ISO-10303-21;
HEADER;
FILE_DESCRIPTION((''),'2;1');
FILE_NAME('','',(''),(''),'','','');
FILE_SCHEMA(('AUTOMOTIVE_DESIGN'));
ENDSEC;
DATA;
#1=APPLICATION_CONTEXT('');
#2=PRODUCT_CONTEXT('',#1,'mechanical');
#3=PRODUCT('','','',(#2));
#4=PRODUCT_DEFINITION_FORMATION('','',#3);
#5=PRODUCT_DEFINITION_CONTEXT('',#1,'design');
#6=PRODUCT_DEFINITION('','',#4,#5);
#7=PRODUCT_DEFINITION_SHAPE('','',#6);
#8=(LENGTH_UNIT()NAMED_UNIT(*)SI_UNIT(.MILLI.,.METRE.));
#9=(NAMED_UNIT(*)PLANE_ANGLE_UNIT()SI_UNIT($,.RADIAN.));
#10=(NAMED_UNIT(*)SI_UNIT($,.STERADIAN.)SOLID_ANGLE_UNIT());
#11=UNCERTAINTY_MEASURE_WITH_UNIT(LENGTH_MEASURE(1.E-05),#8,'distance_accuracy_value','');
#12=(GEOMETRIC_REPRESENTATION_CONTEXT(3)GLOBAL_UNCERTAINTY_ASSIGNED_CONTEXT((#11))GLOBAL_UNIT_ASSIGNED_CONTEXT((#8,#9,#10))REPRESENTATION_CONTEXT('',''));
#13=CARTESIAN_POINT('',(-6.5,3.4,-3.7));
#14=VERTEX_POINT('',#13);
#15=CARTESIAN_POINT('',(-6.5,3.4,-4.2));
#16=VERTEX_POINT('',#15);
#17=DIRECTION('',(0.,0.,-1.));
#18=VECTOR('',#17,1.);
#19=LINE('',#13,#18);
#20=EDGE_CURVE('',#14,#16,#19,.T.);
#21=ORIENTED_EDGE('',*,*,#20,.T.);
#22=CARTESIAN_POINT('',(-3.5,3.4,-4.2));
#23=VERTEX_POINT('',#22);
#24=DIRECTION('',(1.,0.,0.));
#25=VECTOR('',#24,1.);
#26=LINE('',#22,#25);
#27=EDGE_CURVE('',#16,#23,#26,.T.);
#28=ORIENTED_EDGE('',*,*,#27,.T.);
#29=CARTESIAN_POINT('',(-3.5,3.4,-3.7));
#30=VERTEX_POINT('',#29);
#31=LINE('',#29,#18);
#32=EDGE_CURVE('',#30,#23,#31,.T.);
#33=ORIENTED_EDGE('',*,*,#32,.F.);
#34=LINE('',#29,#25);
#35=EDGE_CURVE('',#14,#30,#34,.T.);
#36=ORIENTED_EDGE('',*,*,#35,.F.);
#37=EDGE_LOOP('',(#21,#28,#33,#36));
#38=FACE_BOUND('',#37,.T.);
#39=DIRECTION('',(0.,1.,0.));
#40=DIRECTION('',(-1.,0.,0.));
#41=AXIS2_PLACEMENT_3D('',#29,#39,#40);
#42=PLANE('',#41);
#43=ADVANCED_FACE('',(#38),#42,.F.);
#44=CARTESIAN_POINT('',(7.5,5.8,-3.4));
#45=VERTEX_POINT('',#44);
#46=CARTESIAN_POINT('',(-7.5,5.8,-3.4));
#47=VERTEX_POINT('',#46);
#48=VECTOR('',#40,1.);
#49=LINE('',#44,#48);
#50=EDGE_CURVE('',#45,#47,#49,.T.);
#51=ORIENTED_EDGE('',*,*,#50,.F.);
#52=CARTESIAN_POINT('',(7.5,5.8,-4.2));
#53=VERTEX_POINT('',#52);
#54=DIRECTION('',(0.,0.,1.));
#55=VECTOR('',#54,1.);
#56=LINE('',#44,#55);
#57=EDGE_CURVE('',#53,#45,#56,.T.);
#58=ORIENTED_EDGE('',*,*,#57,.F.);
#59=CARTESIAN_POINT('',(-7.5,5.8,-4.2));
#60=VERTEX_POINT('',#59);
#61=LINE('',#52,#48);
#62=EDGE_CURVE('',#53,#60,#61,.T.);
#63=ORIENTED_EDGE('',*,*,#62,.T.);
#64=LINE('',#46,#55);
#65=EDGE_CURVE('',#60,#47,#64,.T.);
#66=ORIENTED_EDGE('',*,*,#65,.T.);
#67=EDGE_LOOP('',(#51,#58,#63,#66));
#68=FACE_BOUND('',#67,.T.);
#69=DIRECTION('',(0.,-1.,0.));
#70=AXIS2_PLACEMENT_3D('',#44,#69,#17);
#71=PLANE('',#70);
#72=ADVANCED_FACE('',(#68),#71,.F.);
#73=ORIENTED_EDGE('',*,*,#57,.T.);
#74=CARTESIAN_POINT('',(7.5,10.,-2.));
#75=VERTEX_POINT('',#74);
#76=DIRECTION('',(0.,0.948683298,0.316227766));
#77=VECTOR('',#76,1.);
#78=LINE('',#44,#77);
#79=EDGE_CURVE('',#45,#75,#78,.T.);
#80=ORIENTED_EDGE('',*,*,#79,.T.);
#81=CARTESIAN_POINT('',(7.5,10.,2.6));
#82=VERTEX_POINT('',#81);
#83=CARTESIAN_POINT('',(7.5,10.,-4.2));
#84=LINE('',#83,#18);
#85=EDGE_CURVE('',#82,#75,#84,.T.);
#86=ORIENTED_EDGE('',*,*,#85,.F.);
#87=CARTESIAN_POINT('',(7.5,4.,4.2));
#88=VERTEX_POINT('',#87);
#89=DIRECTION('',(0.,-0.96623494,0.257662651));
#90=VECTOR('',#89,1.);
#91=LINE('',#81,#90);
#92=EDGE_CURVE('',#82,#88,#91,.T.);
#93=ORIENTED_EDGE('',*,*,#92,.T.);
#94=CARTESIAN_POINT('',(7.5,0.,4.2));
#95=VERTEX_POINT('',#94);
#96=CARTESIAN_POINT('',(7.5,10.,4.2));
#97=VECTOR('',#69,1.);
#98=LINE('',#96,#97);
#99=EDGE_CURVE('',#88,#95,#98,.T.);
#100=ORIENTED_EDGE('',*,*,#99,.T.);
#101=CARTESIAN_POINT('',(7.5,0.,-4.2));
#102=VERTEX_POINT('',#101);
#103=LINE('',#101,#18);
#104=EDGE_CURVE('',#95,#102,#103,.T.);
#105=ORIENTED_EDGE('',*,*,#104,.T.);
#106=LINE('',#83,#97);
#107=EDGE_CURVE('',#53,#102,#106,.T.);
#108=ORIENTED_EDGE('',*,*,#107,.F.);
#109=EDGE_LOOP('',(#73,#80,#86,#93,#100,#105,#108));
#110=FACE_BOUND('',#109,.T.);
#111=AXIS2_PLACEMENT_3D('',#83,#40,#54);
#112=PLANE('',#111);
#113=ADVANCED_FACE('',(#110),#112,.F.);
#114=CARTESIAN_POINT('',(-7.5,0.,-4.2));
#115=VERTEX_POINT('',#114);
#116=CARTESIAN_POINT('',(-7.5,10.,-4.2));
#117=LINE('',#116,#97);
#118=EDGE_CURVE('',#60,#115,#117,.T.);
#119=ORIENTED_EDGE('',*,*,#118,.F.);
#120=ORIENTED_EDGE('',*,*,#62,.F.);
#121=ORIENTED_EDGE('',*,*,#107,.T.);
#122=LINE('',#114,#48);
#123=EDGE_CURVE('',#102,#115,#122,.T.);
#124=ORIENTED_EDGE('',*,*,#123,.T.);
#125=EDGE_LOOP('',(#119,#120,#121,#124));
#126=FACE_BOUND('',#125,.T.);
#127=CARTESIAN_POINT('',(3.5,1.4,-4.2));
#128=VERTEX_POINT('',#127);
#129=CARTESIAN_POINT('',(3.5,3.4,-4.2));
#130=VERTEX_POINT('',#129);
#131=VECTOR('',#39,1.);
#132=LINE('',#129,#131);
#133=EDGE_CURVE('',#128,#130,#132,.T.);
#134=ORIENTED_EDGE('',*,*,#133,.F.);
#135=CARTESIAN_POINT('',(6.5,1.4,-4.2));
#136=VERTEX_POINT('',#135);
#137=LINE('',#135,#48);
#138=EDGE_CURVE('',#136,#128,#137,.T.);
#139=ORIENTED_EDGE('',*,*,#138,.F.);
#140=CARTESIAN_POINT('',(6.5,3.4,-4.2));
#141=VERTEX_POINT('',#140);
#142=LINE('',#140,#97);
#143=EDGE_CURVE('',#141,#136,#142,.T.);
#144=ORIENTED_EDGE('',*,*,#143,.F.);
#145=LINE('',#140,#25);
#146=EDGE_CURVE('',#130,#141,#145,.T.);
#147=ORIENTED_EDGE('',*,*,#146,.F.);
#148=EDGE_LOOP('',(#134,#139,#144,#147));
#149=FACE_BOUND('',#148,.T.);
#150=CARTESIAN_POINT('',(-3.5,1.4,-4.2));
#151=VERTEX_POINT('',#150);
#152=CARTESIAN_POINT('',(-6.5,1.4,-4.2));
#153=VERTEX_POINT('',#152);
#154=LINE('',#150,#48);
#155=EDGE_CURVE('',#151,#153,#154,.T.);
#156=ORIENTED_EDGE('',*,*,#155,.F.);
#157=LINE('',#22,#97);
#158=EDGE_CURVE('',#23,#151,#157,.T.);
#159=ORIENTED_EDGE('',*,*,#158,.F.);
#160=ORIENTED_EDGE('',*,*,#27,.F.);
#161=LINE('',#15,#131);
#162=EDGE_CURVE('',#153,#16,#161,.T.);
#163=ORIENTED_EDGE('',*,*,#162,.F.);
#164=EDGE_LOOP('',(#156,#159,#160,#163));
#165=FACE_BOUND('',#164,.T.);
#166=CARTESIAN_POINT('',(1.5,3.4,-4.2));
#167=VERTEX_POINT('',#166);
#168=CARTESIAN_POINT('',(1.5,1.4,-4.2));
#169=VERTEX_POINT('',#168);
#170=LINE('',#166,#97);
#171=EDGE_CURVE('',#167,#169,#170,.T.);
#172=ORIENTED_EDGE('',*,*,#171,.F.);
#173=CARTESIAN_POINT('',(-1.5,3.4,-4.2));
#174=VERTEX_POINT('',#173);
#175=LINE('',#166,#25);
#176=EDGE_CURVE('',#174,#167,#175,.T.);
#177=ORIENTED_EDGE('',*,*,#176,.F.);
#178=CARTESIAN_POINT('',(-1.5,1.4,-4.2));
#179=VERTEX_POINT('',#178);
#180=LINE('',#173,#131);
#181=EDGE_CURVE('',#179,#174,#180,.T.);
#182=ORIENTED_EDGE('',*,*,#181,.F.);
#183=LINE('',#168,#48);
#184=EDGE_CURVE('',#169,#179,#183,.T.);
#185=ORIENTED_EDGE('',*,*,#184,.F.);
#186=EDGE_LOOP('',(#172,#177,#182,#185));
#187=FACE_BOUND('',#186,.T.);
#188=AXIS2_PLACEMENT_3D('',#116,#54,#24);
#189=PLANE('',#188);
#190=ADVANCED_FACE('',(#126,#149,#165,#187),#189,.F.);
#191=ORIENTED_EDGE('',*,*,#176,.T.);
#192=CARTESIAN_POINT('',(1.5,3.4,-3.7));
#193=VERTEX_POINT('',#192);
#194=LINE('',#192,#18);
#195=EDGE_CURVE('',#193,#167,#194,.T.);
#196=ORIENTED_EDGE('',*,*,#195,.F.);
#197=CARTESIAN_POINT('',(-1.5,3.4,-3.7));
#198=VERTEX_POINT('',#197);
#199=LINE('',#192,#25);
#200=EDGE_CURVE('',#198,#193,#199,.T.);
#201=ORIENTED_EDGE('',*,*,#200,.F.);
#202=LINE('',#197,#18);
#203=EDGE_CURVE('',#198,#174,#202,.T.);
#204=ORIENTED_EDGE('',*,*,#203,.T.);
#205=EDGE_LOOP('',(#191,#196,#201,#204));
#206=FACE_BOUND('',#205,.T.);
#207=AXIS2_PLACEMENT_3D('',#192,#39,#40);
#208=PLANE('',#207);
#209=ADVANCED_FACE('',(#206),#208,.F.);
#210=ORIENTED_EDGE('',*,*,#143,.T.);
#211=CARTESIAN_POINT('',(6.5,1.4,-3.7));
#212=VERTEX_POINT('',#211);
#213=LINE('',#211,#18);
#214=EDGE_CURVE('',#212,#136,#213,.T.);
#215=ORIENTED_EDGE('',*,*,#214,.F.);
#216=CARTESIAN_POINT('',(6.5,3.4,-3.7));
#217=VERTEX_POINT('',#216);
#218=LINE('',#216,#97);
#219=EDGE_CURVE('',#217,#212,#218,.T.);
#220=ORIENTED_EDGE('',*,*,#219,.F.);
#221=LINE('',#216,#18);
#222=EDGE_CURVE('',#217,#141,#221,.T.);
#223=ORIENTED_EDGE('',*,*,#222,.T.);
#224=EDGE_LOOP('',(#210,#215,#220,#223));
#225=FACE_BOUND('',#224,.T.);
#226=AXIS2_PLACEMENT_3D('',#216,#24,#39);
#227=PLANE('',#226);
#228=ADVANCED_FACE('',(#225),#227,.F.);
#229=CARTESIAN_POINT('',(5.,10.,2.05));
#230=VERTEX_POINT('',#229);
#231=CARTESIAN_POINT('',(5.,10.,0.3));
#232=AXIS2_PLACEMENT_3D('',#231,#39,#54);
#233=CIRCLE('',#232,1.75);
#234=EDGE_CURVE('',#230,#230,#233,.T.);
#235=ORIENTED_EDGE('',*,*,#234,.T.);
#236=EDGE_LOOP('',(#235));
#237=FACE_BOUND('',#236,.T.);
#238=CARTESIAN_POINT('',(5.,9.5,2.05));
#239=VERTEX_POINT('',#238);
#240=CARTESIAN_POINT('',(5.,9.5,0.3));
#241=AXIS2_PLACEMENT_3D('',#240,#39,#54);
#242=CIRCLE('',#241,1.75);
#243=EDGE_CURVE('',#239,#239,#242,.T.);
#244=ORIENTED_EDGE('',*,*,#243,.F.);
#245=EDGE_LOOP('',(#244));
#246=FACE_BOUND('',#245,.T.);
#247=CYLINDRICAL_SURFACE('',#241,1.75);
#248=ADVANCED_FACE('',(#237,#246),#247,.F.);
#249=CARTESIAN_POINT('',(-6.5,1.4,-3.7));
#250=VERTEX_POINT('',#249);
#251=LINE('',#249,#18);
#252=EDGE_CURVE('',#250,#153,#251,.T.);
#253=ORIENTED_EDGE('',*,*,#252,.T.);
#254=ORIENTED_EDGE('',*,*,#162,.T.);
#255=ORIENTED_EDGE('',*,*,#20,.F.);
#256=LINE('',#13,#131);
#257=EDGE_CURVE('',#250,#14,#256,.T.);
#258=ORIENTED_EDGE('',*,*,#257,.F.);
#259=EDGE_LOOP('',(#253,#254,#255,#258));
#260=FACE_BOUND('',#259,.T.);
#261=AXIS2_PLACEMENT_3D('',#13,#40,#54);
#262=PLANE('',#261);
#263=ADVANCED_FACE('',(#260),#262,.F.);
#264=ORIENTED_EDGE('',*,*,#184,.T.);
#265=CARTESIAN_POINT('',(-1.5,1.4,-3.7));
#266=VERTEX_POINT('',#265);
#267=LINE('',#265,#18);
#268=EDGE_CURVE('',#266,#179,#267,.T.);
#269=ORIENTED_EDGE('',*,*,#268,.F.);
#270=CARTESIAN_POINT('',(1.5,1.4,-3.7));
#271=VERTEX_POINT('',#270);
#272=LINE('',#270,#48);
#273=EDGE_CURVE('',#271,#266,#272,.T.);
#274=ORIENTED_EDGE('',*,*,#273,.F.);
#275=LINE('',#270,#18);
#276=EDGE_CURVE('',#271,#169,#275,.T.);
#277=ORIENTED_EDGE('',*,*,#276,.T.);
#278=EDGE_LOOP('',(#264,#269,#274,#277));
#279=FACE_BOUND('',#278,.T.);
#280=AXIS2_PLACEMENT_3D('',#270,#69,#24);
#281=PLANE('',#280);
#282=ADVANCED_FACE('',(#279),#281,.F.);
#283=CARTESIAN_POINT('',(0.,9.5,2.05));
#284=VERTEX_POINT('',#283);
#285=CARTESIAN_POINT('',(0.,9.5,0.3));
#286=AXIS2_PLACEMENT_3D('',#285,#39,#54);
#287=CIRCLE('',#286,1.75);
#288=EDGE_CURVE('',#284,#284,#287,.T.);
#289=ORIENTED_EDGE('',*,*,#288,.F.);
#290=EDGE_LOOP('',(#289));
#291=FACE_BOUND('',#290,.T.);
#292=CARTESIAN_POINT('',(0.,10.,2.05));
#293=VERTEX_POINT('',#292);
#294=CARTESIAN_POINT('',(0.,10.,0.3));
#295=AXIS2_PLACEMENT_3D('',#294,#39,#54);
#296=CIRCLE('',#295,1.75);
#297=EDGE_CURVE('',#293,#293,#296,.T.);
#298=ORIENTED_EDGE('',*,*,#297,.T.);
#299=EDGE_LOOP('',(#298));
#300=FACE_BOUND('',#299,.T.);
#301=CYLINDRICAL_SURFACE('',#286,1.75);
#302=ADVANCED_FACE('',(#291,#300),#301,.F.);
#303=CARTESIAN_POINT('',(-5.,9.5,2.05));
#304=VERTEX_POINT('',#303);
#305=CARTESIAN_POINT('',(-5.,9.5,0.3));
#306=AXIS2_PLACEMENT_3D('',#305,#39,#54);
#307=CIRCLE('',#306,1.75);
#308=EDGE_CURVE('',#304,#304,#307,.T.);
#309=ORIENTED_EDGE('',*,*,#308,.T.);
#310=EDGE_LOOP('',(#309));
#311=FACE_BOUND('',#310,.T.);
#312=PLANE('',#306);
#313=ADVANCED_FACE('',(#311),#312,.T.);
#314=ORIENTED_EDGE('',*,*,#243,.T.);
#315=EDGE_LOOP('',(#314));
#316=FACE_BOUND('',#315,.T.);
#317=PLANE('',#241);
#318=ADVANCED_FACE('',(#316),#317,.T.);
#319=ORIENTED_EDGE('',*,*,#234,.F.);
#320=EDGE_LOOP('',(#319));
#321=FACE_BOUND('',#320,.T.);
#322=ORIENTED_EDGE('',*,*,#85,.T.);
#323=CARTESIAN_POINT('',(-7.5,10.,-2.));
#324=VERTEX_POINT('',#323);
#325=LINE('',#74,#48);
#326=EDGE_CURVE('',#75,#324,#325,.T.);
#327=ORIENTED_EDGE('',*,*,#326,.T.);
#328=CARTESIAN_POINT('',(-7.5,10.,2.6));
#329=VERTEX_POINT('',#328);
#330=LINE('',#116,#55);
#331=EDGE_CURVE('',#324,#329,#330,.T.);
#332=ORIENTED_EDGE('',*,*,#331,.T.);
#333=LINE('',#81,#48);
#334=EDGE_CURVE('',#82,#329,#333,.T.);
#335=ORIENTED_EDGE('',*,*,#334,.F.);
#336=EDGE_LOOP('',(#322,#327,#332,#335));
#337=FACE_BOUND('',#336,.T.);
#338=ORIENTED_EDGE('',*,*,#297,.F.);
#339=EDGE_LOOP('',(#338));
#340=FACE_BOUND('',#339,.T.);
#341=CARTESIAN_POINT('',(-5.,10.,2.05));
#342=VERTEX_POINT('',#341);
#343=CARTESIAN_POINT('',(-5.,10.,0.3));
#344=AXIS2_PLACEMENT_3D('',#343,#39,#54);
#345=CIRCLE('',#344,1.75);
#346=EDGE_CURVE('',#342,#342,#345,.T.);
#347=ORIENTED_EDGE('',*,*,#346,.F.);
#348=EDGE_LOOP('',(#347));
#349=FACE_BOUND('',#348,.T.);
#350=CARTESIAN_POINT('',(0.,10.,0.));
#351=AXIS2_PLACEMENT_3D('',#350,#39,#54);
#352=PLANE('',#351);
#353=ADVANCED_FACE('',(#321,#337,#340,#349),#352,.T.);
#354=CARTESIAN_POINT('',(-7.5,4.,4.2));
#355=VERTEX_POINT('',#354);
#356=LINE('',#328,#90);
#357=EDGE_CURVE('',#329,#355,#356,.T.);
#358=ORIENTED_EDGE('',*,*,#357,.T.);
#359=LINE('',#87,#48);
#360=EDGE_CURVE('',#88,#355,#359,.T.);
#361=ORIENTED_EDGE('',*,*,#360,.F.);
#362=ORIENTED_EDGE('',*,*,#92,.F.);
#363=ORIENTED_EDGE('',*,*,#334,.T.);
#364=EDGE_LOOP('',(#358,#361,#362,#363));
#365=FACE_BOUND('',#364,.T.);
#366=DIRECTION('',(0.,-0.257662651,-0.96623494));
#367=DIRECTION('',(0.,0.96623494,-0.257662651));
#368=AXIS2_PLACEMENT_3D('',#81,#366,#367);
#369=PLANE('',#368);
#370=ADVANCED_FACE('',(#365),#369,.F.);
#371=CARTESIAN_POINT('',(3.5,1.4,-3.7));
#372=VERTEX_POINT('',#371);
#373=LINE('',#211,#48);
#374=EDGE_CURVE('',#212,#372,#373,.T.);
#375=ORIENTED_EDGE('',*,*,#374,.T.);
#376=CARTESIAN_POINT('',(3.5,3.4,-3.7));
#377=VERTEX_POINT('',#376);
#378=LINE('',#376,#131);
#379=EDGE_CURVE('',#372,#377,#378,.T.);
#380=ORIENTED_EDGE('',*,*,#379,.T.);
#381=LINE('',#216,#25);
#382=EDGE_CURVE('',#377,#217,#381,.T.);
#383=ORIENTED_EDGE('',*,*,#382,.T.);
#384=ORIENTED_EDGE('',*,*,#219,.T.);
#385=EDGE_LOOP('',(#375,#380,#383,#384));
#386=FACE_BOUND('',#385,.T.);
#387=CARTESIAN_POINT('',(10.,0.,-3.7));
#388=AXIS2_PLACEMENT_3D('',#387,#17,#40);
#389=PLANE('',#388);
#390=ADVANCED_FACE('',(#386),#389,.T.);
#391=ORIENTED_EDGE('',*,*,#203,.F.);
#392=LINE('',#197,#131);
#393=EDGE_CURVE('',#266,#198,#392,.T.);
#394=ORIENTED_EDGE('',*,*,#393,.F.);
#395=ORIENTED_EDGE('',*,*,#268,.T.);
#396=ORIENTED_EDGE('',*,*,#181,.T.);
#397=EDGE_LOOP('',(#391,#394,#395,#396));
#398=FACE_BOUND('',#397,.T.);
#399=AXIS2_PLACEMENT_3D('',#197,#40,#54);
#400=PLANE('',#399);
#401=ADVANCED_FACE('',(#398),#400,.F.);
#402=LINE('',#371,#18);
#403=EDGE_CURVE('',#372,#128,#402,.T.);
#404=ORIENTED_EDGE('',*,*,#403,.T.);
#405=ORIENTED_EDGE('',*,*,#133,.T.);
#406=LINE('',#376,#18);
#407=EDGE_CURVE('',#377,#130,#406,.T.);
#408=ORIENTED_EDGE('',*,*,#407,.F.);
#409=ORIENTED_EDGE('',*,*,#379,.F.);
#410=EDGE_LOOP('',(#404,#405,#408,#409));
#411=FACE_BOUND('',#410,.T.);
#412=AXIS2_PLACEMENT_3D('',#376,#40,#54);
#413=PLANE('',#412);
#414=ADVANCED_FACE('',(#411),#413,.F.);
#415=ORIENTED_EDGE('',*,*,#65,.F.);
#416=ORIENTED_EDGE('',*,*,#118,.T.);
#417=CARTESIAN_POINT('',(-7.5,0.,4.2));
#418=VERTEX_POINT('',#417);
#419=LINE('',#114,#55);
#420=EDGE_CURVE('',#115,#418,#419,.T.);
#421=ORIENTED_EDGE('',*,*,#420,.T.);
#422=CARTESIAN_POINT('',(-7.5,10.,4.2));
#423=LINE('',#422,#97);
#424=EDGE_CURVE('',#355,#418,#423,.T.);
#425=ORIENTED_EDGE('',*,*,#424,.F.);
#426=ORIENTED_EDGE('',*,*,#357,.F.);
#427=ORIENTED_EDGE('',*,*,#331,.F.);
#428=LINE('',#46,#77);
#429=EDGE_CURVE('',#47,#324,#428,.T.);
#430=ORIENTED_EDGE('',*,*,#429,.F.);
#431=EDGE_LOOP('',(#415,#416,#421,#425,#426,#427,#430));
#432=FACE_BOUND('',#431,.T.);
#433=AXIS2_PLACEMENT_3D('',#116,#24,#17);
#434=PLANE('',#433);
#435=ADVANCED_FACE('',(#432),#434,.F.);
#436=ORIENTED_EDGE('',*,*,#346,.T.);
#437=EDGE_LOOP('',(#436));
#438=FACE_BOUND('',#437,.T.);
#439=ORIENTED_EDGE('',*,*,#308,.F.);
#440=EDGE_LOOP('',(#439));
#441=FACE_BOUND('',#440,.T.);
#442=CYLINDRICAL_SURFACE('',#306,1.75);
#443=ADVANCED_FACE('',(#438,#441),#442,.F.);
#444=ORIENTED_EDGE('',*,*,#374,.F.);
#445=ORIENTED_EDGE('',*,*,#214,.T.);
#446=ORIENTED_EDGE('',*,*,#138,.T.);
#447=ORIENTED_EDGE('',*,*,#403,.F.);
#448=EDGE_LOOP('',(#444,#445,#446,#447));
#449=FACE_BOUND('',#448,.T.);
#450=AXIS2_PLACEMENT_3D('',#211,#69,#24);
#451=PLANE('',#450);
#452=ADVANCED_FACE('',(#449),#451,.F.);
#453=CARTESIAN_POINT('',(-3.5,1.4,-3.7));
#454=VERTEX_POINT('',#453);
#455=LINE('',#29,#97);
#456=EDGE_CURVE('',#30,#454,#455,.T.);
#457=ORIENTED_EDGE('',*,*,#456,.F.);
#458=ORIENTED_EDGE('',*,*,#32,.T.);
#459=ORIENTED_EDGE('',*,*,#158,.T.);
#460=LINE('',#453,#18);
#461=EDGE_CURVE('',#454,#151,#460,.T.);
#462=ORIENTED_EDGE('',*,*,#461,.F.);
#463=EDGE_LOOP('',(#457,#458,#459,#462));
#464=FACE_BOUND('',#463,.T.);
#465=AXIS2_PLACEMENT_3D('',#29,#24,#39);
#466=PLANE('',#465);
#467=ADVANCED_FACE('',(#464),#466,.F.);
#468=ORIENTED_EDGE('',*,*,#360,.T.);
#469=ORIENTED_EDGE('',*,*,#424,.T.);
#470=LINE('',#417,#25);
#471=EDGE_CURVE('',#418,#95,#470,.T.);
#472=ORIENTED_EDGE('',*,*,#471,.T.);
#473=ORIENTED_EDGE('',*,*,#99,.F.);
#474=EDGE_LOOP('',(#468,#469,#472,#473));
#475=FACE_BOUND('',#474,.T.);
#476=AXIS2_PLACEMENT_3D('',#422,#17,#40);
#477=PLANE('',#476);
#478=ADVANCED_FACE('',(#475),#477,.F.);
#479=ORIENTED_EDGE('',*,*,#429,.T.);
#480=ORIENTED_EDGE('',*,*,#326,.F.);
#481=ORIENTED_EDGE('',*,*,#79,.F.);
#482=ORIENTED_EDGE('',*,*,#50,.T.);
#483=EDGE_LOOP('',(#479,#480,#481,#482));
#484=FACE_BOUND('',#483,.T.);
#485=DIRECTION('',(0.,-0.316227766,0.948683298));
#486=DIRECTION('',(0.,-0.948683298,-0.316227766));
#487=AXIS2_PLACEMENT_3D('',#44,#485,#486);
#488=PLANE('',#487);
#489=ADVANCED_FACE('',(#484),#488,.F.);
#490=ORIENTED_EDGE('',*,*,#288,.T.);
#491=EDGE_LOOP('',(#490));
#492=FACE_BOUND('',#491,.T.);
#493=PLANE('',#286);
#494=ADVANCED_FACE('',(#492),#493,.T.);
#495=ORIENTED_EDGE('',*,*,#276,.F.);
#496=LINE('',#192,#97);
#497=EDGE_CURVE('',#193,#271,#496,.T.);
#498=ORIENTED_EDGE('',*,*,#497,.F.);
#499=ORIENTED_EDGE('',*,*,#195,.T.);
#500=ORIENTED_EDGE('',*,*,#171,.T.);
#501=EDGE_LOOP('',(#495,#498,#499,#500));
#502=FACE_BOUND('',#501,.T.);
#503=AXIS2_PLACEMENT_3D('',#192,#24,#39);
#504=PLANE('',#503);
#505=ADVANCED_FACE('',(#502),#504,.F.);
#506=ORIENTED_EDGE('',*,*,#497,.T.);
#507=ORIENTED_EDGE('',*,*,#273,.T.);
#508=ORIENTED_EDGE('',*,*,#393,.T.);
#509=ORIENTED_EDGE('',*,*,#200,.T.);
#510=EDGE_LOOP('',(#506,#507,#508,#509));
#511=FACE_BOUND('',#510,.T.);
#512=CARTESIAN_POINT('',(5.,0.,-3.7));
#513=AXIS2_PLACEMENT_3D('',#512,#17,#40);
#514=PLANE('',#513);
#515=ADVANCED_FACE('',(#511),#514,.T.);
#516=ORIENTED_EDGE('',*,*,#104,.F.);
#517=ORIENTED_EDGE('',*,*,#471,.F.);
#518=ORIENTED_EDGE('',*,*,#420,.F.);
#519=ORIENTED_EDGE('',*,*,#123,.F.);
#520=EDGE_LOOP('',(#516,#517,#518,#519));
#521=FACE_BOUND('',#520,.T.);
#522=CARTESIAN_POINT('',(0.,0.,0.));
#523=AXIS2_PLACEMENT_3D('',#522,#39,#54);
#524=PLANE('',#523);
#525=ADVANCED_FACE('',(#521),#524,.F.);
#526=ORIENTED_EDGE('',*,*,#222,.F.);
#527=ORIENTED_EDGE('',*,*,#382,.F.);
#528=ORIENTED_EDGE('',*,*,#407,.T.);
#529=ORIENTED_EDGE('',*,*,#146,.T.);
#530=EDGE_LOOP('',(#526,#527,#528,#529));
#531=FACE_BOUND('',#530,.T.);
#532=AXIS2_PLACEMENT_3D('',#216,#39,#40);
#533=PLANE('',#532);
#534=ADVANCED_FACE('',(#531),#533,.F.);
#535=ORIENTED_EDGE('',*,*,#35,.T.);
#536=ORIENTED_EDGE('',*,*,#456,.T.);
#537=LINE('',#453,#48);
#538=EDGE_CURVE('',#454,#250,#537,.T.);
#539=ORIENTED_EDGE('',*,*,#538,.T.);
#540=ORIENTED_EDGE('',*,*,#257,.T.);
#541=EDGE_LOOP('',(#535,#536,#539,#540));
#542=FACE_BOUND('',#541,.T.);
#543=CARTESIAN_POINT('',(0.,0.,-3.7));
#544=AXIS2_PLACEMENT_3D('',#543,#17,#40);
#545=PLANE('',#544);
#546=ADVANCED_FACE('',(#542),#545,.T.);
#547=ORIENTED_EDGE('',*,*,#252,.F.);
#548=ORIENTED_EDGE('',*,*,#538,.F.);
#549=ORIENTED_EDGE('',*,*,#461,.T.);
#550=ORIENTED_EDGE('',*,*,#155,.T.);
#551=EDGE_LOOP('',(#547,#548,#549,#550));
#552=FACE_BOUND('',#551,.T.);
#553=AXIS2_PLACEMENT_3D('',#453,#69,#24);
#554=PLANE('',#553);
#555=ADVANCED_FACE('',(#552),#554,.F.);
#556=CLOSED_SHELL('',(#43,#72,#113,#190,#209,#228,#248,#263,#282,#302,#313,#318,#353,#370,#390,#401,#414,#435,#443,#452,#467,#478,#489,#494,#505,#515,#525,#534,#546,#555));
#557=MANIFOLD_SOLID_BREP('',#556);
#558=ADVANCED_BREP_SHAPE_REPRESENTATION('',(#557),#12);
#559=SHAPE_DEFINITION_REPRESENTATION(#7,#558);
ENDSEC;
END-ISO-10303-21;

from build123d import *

# Parameters (mm, degrees)
SKETCH3_W           = 15
SKETCH3_H           = 8.4
BOSS_EXTRUDE3_DEPTH = 10
CUT_EXTRUDE1_DEPTH  = 16
SKETCH5_R           = 1.75
CUT_EXTRUDE2_DEPTH  = 0.5
SKETCH6_W           = 3
SKETCH6_H           = 2
CUT_EXTRUDE4_DEPTH  = 0.5
LPATTERN2_COUNT     = 3
LPATTERN2_PITCH     = 5


with BuildPart() as part:
    # Sketch3 → Boss-Extrude3 (new body)
    with BuildSketch(Plane(origin=(0, 0, 0), x_dir=(1, 0, 0), z_dir=(0, 1, 0))):
        Rectangle(SKETCH3_W, SKETCH3_H)
    extrude(amount=BOSS_EXTRUDE3_DEPTH)

    # Sketch4 → Cut-Extrude1 (cut, through all)
    with BuildSketch(Plane.ZY.offset(7.5)):
        Polygon((-3.4, 5.8), (-2, 10), (-3.4, 10), (-4.2, 10), (-4.2, 5.8), align=None)
        Polygon((4.2, 10), (2.6, 10), (4.2, 4), align=None)
    extrude(amount=-CUT_EXTRUDE1_DEPTH, mode=Mode.SUBTRACT)

    # Sketch5 → Cut-Extrude2 (cut)
    with BuildSketch(Plane(origin=(0, 10, 0), x_dir=(1, 0, 0), z_dir=(0, 1, 0))):
        with Locations((-5, -0.3)):
            Circle(SKETCH5_R)
    cut_extrude2 = extrude(amount=-CUT_EXTRUDE2_DEPTH, mode=Mode.SUBTRACT)

    # Sketch6 → Cut-Extrude4 (cut)
    with BuildSketch(Plane(origin=(0, 0, -4.2), x_dir=(-1, 0, 0), z_dir=(0, 0, -1))):
        with Locations((5, 2.4)):
            Rectangle(SKETCH6_W, SKETCH6_H)
    cut_extrude4 = extrude(amount=-CUT_EXTRUDE4_DEPTH, mode=Mode.SUBTRACT)

    # LPattern2: Cut-Extrude2, Cut-Extrude4 ×3
    with Locations(*[(i * LPATTERN2_PITCH, 0, 0) for i in range(1, LPATTERN2_COUNT)]):
        add(cut_extrude2, mode=Mode.SUBTRACT)
        add(cut_extrude4, mode=Mode.SUBTRACT)


solid = part.part
